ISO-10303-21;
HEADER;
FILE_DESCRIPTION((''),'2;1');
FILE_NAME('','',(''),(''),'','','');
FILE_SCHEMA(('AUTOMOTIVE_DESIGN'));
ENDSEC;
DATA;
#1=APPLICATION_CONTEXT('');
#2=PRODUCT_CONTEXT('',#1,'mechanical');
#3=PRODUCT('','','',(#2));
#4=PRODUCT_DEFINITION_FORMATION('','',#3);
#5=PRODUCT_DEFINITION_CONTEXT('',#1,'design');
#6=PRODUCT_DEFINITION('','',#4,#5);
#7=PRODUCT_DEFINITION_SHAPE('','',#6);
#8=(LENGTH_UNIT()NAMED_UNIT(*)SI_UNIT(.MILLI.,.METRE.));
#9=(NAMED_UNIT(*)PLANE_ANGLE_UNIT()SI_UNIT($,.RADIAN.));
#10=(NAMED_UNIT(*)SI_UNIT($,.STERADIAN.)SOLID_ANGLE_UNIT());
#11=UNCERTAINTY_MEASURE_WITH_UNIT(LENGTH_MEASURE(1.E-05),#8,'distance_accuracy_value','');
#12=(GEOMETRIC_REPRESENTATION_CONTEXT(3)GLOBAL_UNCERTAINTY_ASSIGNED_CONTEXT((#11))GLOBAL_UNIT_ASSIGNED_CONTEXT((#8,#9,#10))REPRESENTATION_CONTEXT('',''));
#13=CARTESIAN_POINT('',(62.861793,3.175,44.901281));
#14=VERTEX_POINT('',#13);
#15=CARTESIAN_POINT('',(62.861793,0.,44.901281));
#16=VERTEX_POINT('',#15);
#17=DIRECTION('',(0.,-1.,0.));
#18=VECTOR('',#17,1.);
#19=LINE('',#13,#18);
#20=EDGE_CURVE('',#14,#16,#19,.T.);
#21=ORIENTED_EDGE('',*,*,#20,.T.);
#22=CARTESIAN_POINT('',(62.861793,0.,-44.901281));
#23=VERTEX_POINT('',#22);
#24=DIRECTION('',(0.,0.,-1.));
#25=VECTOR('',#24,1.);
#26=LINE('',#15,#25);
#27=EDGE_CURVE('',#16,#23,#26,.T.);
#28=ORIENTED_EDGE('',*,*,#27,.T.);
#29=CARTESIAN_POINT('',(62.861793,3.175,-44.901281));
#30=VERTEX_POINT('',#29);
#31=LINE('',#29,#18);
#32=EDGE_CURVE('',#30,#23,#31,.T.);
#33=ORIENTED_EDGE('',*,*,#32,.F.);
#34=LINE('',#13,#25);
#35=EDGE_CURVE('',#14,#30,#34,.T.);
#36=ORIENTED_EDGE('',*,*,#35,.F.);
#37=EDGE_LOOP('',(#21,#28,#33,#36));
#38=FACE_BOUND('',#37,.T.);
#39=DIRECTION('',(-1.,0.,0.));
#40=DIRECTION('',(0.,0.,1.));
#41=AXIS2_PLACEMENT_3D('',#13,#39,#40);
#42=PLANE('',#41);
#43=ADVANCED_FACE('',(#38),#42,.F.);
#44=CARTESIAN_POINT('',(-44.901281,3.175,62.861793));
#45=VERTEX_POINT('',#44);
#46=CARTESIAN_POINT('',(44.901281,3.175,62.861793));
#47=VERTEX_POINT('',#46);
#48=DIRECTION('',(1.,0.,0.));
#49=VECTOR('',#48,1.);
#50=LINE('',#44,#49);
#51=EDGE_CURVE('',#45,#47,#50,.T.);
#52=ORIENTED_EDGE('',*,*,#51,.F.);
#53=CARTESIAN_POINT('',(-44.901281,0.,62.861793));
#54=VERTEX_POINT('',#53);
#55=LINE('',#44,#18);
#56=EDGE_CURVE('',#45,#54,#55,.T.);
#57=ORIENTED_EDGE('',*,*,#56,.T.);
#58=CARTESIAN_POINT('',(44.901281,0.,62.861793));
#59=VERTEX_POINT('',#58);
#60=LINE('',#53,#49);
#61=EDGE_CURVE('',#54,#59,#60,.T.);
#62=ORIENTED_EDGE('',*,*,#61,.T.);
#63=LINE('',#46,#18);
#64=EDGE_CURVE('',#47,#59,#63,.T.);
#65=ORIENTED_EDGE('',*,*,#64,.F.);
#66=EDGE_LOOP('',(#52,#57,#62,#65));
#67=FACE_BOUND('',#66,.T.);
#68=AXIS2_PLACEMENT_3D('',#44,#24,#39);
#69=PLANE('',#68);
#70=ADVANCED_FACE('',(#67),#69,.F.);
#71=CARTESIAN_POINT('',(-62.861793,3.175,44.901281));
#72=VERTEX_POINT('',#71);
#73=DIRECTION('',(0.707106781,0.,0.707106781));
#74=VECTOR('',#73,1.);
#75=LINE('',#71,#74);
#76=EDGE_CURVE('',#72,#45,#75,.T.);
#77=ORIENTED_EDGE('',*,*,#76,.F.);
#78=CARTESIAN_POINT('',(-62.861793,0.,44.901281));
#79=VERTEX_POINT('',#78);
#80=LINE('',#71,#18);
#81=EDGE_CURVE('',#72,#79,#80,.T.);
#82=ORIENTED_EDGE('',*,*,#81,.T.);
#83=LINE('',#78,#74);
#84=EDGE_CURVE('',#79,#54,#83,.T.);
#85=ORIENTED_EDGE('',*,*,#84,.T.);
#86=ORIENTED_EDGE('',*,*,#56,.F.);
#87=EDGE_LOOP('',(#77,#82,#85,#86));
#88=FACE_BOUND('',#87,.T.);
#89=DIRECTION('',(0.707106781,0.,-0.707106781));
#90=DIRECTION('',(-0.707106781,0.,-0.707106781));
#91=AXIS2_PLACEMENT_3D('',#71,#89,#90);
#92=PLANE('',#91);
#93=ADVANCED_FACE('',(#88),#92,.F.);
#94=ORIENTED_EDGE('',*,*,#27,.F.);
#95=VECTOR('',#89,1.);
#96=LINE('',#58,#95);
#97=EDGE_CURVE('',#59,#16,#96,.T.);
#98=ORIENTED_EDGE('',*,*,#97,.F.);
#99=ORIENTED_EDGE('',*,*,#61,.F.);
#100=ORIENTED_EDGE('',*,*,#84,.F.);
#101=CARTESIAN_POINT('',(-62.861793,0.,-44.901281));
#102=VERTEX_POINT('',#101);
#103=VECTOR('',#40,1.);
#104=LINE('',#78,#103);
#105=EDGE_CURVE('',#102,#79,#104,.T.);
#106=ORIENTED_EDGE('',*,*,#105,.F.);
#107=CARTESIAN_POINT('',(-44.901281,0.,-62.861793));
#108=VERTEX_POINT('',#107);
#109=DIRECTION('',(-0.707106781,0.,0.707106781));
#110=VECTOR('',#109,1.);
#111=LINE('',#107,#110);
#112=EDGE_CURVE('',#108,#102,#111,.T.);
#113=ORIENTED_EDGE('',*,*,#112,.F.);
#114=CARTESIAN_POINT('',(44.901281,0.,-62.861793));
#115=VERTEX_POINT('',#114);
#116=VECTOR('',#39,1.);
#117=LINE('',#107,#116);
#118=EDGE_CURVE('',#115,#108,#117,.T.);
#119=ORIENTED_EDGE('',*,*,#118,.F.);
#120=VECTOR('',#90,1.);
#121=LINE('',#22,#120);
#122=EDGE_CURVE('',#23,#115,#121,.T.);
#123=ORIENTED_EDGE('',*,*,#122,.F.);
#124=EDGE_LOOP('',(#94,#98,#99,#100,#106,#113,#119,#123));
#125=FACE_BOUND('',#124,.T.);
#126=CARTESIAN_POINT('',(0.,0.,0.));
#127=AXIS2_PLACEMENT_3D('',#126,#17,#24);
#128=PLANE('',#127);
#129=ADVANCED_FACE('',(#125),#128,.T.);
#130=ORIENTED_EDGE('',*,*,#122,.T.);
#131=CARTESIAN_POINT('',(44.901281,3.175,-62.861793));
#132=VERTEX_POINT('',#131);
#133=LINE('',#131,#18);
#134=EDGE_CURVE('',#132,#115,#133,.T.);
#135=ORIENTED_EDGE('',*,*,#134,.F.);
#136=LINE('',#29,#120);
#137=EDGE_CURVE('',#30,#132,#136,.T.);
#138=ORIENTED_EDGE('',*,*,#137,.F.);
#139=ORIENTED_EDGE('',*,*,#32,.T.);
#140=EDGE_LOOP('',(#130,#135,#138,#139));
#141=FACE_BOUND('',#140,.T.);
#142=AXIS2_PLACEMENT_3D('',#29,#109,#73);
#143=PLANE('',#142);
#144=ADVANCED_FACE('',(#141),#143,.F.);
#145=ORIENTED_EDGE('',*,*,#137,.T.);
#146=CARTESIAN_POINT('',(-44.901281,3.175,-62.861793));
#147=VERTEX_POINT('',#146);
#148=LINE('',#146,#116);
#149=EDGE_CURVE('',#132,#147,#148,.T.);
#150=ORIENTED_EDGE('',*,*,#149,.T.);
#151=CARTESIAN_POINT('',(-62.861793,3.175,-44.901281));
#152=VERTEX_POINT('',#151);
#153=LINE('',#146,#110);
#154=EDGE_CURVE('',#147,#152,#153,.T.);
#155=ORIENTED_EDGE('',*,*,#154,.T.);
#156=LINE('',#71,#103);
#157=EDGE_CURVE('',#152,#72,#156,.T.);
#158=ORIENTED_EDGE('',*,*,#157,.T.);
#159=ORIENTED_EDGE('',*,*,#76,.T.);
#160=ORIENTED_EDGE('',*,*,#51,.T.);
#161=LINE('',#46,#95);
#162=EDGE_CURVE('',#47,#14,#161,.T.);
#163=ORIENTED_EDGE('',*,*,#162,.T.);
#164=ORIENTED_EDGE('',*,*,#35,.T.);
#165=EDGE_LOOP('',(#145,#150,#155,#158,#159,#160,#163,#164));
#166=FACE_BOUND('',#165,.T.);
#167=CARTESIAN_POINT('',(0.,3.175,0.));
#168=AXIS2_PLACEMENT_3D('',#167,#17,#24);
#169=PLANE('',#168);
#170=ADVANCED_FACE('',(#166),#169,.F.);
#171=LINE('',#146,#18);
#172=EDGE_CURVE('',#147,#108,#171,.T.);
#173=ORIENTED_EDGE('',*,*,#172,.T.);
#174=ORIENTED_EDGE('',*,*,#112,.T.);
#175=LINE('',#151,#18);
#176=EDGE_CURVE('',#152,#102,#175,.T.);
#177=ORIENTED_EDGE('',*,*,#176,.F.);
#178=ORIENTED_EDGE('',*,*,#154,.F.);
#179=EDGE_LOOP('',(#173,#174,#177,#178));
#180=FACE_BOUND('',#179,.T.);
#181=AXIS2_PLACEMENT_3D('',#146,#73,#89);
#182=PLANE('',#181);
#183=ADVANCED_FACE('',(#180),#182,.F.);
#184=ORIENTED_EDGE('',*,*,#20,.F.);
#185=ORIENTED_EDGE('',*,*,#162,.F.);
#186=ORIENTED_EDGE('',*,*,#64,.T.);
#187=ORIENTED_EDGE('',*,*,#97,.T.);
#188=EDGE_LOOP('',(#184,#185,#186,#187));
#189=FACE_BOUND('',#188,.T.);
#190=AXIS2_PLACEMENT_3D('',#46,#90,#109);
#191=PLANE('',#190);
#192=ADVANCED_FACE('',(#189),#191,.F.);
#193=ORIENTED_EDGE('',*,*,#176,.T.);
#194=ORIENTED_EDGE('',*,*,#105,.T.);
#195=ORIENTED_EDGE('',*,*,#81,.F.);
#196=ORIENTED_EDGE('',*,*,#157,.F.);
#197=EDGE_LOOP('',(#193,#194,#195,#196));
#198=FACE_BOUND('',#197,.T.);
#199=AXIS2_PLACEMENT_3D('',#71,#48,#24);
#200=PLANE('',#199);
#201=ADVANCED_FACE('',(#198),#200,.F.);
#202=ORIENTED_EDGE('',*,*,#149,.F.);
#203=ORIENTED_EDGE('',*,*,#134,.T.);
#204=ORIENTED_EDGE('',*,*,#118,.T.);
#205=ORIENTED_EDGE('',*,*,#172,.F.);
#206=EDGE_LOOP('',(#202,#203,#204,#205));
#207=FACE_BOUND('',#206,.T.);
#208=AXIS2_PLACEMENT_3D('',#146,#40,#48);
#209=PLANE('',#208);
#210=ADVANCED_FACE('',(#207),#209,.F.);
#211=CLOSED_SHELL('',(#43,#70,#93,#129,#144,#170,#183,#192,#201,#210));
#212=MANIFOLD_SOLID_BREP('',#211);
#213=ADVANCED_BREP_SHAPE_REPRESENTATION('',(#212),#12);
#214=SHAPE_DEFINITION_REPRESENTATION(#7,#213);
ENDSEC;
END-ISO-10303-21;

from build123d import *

# Parameters (mm, degrees)
BOSS_EXTRUDE1_DEPTH = 3.175


with BuildPart() as part:
    # Sketch1 → Boss-Extrude1 (new body)
    with BuildSketch(Plane(origin=(0, 0, 0), x_dir=(1, 0, 0), z_dir=(0, 1, 0))):
        Polygon((-62.861792847, -44.901280605), (-44.901280605, -62.861792847), (44.901280605, -62.861792847), (62.861792847, -44.901280605), (62.861792847, 44.901280605), (44.901280605, 62.861792847), (-44.901280605, 62.861792847), (-62.861792847, 44.901280605), align=None)
    extrude(amount=BOSS_EXTRUDE1_DEPTH)


solid = part.part
